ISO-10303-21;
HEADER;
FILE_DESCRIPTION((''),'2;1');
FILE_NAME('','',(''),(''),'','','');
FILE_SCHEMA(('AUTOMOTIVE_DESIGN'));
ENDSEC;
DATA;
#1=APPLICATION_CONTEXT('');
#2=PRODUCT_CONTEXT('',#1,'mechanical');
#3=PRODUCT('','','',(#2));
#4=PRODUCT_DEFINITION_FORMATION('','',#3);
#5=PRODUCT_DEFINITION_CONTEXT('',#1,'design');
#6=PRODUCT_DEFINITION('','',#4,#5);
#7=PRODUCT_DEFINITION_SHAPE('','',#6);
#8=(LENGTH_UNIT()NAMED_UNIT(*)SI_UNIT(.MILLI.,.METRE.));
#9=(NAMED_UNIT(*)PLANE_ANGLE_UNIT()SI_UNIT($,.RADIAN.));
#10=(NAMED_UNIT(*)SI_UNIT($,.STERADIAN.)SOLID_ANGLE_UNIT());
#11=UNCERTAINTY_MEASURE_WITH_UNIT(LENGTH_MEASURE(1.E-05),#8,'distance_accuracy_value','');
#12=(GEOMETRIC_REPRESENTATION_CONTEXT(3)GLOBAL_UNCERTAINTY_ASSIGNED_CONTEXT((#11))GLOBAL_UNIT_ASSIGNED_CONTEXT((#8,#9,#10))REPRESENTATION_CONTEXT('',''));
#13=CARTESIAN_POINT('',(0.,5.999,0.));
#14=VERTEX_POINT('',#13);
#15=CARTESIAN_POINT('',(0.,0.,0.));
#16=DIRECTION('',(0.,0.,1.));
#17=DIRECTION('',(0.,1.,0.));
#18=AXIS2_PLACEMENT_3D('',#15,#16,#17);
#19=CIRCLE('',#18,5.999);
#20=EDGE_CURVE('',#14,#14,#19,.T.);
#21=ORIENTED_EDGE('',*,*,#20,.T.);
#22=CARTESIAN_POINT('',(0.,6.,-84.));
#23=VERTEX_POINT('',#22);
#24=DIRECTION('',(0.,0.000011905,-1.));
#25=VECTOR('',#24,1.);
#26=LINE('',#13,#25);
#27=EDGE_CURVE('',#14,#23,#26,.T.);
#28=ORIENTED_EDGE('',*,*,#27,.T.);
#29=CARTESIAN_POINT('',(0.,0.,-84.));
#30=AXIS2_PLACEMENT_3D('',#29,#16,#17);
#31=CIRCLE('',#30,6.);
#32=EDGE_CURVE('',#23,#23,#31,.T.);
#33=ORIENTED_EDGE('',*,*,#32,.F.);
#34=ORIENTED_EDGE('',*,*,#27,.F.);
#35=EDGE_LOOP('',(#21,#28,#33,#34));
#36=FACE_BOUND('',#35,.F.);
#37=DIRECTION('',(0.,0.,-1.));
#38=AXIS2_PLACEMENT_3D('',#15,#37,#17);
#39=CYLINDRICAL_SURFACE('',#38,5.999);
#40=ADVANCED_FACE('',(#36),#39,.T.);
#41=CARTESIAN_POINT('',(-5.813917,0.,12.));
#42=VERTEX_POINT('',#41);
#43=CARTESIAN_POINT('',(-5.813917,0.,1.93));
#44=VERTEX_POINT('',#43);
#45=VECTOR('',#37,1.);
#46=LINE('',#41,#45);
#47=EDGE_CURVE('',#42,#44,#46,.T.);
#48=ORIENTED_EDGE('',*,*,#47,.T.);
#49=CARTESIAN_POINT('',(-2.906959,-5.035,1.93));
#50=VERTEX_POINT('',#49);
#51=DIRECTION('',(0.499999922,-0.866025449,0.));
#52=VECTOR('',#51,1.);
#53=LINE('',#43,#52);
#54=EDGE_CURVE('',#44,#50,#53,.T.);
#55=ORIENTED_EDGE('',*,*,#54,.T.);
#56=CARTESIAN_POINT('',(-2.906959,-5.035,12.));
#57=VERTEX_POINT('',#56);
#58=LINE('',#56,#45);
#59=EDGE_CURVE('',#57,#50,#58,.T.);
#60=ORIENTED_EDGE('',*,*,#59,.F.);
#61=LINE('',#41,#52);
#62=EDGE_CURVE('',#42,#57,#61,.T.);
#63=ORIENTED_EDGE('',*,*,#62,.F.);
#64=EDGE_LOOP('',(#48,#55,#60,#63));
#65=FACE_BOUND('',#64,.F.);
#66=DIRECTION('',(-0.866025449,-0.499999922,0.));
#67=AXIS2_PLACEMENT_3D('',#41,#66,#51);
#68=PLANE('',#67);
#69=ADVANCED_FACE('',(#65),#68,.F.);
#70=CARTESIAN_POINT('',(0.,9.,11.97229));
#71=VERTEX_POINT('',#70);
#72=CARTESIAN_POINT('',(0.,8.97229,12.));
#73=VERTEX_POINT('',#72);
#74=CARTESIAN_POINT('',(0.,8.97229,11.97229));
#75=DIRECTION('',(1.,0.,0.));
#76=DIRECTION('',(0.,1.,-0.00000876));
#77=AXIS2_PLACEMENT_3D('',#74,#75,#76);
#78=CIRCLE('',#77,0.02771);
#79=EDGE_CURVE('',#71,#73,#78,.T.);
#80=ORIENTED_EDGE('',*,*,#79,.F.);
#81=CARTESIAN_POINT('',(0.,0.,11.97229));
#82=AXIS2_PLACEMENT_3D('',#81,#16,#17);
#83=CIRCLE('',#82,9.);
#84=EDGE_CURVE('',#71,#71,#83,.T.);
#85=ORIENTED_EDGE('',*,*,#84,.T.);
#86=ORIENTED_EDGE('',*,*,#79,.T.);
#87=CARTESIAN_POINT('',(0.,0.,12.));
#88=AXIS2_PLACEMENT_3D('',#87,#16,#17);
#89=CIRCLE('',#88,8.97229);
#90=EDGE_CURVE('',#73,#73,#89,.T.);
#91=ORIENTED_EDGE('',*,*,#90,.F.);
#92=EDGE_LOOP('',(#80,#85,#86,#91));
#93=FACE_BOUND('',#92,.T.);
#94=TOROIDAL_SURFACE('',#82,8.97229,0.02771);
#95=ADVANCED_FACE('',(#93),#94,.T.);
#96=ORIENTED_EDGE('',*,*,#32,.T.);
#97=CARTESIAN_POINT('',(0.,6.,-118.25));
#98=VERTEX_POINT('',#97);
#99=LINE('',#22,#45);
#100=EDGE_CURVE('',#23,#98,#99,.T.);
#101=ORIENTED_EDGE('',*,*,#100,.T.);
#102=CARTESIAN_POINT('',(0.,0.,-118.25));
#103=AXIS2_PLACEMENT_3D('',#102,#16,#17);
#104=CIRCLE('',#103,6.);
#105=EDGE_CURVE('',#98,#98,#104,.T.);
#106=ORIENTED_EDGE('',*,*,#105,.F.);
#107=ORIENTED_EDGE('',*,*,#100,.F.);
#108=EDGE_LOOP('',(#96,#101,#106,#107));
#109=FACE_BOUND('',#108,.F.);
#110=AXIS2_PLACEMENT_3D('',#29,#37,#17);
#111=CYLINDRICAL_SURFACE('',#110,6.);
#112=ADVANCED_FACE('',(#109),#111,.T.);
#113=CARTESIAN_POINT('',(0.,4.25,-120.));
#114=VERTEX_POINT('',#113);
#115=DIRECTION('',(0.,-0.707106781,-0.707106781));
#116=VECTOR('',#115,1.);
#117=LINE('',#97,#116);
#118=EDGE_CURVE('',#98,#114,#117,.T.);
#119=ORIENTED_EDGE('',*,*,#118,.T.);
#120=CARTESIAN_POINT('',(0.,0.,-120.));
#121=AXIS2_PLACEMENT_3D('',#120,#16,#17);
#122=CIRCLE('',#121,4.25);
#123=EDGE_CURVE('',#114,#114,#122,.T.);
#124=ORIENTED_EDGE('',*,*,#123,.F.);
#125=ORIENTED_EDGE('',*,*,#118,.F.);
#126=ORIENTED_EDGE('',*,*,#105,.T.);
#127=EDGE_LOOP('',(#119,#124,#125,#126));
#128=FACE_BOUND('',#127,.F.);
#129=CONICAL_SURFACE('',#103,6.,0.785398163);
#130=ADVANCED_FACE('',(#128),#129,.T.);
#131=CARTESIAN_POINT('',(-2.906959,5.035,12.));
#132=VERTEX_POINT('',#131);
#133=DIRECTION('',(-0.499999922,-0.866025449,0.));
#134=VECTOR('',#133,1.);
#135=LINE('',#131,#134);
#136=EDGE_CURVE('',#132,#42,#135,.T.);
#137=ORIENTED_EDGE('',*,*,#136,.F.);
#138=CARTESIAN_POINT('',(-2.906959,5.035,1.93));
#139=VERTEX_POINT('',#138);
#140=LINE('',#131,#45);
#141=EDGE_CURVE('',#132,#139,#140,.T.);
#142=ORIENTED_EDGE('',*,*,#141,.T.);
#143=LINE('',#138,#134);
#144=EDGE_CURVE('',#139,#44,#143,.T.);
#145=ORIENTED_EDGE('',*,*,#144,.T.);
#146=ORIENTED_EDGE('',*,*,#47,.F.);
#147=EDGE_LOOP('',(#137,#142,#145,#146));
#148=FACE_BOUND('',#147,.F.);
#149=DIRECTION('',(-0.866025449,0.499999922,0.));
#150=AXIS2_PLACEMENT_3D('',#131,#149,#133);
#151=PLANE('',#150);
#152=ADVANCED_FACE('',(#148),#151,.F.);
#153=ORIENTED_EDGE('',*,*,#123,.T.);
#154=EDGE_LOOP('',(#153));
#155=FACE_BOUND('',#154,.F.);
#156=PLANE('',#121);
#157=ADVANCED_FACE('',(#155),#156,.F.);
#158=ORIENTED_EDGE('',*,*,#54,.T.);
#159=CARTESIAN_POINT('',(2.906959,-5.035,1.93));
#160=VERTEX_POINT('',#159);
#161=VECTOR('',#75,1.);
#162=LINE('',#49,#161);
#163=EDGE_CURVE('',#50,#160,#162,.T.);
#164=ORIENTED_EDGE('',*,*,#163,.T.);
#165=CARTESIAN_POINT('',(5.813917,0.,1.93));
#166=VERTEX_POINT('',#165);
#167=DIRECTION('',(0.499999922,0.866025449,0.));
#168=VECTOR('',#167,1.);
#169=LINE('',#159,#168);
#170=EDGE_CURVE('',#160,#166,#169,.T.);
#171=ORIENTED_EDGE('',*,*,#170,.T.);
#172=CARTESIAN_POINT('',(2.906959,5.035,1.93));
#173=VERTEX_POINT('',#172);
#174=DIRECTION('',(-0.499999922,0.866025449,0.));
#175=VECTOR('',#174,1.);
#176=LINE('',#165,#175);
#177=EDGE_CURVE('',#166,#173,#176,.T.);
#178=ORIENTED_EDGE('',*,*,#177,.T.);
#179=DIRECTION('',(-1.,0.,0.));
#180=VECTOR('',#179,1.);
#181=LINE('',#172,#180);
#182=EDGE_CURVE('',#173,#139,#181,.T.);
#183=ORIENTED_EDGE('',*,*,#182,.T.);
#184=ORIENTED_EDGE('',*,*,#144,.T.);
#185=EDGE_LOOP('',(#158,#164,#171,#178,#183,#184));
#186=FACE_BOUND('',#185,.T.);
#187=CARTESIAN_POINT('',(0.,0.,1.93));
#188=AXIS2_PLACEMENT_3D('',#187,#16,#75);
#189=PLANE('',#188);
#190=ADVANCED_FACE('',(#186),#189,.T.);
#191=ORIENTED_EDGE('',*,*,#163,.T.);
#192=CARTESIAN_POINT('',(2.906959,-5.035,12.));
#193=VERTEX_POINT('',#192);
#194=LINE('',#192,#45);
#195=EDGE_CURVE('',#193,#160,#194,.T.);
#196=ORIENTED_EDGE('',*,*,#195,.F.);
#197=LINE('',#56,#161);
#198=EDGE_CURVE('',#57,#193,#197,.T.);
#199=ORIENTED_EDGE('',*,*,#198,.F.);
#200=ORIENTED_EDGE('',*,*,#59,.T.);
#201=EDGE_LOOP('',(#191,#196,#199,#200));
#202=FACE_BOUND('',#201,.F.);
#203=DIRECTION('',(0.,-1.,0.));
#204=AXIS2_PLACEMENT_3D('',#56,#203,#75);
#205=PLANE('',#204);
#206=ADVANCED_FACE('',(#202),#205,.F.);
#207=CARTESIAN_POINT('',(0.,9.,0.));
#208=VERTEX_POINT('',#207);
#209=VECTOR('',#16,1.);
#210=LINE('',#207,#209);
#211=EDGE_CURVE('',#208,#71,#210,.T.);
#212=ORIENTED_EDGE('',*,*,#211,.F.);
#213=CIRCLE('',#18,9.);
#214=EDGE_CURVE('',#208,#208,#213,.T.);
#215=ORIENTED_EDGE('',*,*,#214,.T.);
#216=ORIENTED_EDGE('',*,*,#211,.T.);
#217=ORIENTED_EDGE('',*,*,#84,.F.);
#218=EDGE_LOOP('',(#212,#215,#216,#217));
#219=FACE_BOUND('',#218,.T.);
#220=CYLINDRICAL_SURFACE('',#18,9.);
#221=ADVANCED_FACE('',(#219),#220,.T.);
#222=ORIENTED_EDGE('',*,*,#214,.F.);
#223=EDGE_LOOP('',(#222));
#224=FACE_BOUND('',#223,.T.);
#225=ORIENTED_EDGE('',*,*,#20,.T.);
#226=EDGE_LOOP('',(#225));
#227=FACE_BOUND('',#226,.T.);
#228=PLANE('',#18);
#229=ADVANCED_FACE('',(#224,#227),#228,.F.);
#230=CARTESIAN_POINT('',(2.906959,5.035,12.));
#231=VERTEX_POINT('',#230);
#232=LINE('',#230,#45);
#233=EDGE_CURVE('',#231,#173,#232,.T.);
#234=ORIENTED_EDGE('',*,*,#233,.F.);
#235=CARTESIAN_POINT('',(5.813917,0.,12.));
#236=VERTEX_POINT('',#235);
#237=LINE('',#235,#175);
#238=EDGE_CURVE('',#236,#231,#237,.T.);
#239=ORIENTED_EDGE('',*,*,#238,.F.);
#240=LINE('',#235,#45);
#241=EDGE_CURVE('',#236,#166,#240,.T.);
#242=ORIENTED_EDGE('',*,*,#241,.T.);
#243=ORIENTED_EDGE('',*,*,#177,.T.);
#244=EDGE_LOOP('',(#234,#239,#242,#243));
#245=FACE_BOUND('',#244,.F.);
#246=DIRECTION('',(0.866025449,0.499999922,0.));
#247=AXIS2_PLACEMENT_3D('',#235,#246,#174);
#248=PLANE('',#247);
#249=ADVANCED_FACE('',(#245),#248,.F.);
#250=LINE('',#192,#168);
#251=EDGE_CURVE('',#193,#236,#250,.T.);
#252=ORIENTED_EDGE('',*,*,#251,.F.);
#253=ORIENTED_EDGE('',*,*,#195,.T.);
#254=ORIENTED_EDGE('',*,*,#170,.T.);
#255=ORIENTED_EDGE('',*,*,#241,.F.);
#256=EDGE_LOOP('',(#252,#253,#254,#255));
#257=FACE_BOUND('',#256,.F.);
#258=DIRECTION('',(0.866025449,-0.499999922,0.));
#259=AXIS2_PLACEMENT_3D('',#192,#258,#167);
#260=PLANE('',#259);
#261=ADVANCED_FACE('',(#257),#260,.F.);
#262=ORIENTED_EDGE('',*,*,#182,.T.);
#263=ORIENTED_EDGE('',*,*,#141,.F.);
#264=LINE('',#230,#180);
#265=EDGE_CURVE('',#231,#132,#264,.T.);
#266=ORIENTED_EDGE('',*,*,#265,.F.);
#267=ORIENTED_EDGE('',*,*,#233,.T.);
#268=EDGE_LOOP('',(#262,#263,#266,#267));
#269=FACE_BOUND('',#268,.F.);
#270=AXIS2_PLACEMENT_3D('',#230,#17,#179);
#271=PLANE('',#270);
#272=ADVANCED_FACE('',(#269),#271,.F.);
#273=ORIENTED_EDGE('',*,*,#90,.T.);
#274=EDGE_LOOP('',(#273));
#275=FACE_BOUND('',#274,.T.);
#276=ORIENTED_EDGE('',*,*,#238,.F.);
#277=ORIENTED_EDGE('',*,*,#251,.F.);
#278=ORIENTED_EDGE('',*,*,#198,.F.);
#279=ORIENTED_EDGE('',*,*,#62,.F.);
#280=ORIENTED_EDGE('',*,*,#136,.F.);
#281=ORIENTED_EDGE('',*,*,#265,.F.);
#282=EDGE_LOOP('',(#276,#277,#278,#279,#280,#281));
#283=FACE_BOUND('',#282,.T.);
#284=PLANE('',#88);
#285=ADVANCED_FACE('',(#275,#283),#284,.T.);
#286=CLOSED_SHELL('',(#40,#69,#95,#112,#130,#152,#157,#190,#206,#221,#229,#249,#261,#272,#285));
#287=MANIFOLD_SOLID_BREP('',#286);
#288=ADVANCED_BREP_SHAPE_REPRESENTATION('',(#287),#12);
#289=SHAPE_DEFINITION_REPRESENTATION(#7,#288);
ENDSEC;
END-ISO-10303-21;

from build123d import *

# Parameters (mm, degrees)
POCKET_DEPTH = 10.07


with BuildPart() as part:
    # Sketch → Revolve (revolve)
    with BuildSketch(Plane.YZ):
        with BuildLine():
            Line((5.999, 0), (9, 0))
            Line((9, 0), (9, 11.97229))
            ThreePointArc((9, 11.97229), (8.991884, 11.991884), (8.97229, 12))
            Line((8.97229, 12), (0, 12))
            Line((0, -120), (0, 12))
            Line((4.25, -120), (0, -120))
            Line((6, -118.25), (4.25, -120))
            Line((6, -84), (6, -118.25))
            Line((5.999, 0), (6, -84))
        make_face()
    revolve(axis=Axis((0, 0, 0), (0, 0, 1)))

    # Sketch001 → Pocket (cut)
    with BuildSketch(Plane.XY.offset(12)):
        Polygon((5.813917, 0), (2.906959, 5.035), (-2.906959, 5.035), (-5.813917, 0), (-2.906959, -5.035), (2.906959, -5.035), align=None)
    extrude(amount=-POCKET_DEPTH, mode=Mode.SUBTRACT)


solid = part.part
